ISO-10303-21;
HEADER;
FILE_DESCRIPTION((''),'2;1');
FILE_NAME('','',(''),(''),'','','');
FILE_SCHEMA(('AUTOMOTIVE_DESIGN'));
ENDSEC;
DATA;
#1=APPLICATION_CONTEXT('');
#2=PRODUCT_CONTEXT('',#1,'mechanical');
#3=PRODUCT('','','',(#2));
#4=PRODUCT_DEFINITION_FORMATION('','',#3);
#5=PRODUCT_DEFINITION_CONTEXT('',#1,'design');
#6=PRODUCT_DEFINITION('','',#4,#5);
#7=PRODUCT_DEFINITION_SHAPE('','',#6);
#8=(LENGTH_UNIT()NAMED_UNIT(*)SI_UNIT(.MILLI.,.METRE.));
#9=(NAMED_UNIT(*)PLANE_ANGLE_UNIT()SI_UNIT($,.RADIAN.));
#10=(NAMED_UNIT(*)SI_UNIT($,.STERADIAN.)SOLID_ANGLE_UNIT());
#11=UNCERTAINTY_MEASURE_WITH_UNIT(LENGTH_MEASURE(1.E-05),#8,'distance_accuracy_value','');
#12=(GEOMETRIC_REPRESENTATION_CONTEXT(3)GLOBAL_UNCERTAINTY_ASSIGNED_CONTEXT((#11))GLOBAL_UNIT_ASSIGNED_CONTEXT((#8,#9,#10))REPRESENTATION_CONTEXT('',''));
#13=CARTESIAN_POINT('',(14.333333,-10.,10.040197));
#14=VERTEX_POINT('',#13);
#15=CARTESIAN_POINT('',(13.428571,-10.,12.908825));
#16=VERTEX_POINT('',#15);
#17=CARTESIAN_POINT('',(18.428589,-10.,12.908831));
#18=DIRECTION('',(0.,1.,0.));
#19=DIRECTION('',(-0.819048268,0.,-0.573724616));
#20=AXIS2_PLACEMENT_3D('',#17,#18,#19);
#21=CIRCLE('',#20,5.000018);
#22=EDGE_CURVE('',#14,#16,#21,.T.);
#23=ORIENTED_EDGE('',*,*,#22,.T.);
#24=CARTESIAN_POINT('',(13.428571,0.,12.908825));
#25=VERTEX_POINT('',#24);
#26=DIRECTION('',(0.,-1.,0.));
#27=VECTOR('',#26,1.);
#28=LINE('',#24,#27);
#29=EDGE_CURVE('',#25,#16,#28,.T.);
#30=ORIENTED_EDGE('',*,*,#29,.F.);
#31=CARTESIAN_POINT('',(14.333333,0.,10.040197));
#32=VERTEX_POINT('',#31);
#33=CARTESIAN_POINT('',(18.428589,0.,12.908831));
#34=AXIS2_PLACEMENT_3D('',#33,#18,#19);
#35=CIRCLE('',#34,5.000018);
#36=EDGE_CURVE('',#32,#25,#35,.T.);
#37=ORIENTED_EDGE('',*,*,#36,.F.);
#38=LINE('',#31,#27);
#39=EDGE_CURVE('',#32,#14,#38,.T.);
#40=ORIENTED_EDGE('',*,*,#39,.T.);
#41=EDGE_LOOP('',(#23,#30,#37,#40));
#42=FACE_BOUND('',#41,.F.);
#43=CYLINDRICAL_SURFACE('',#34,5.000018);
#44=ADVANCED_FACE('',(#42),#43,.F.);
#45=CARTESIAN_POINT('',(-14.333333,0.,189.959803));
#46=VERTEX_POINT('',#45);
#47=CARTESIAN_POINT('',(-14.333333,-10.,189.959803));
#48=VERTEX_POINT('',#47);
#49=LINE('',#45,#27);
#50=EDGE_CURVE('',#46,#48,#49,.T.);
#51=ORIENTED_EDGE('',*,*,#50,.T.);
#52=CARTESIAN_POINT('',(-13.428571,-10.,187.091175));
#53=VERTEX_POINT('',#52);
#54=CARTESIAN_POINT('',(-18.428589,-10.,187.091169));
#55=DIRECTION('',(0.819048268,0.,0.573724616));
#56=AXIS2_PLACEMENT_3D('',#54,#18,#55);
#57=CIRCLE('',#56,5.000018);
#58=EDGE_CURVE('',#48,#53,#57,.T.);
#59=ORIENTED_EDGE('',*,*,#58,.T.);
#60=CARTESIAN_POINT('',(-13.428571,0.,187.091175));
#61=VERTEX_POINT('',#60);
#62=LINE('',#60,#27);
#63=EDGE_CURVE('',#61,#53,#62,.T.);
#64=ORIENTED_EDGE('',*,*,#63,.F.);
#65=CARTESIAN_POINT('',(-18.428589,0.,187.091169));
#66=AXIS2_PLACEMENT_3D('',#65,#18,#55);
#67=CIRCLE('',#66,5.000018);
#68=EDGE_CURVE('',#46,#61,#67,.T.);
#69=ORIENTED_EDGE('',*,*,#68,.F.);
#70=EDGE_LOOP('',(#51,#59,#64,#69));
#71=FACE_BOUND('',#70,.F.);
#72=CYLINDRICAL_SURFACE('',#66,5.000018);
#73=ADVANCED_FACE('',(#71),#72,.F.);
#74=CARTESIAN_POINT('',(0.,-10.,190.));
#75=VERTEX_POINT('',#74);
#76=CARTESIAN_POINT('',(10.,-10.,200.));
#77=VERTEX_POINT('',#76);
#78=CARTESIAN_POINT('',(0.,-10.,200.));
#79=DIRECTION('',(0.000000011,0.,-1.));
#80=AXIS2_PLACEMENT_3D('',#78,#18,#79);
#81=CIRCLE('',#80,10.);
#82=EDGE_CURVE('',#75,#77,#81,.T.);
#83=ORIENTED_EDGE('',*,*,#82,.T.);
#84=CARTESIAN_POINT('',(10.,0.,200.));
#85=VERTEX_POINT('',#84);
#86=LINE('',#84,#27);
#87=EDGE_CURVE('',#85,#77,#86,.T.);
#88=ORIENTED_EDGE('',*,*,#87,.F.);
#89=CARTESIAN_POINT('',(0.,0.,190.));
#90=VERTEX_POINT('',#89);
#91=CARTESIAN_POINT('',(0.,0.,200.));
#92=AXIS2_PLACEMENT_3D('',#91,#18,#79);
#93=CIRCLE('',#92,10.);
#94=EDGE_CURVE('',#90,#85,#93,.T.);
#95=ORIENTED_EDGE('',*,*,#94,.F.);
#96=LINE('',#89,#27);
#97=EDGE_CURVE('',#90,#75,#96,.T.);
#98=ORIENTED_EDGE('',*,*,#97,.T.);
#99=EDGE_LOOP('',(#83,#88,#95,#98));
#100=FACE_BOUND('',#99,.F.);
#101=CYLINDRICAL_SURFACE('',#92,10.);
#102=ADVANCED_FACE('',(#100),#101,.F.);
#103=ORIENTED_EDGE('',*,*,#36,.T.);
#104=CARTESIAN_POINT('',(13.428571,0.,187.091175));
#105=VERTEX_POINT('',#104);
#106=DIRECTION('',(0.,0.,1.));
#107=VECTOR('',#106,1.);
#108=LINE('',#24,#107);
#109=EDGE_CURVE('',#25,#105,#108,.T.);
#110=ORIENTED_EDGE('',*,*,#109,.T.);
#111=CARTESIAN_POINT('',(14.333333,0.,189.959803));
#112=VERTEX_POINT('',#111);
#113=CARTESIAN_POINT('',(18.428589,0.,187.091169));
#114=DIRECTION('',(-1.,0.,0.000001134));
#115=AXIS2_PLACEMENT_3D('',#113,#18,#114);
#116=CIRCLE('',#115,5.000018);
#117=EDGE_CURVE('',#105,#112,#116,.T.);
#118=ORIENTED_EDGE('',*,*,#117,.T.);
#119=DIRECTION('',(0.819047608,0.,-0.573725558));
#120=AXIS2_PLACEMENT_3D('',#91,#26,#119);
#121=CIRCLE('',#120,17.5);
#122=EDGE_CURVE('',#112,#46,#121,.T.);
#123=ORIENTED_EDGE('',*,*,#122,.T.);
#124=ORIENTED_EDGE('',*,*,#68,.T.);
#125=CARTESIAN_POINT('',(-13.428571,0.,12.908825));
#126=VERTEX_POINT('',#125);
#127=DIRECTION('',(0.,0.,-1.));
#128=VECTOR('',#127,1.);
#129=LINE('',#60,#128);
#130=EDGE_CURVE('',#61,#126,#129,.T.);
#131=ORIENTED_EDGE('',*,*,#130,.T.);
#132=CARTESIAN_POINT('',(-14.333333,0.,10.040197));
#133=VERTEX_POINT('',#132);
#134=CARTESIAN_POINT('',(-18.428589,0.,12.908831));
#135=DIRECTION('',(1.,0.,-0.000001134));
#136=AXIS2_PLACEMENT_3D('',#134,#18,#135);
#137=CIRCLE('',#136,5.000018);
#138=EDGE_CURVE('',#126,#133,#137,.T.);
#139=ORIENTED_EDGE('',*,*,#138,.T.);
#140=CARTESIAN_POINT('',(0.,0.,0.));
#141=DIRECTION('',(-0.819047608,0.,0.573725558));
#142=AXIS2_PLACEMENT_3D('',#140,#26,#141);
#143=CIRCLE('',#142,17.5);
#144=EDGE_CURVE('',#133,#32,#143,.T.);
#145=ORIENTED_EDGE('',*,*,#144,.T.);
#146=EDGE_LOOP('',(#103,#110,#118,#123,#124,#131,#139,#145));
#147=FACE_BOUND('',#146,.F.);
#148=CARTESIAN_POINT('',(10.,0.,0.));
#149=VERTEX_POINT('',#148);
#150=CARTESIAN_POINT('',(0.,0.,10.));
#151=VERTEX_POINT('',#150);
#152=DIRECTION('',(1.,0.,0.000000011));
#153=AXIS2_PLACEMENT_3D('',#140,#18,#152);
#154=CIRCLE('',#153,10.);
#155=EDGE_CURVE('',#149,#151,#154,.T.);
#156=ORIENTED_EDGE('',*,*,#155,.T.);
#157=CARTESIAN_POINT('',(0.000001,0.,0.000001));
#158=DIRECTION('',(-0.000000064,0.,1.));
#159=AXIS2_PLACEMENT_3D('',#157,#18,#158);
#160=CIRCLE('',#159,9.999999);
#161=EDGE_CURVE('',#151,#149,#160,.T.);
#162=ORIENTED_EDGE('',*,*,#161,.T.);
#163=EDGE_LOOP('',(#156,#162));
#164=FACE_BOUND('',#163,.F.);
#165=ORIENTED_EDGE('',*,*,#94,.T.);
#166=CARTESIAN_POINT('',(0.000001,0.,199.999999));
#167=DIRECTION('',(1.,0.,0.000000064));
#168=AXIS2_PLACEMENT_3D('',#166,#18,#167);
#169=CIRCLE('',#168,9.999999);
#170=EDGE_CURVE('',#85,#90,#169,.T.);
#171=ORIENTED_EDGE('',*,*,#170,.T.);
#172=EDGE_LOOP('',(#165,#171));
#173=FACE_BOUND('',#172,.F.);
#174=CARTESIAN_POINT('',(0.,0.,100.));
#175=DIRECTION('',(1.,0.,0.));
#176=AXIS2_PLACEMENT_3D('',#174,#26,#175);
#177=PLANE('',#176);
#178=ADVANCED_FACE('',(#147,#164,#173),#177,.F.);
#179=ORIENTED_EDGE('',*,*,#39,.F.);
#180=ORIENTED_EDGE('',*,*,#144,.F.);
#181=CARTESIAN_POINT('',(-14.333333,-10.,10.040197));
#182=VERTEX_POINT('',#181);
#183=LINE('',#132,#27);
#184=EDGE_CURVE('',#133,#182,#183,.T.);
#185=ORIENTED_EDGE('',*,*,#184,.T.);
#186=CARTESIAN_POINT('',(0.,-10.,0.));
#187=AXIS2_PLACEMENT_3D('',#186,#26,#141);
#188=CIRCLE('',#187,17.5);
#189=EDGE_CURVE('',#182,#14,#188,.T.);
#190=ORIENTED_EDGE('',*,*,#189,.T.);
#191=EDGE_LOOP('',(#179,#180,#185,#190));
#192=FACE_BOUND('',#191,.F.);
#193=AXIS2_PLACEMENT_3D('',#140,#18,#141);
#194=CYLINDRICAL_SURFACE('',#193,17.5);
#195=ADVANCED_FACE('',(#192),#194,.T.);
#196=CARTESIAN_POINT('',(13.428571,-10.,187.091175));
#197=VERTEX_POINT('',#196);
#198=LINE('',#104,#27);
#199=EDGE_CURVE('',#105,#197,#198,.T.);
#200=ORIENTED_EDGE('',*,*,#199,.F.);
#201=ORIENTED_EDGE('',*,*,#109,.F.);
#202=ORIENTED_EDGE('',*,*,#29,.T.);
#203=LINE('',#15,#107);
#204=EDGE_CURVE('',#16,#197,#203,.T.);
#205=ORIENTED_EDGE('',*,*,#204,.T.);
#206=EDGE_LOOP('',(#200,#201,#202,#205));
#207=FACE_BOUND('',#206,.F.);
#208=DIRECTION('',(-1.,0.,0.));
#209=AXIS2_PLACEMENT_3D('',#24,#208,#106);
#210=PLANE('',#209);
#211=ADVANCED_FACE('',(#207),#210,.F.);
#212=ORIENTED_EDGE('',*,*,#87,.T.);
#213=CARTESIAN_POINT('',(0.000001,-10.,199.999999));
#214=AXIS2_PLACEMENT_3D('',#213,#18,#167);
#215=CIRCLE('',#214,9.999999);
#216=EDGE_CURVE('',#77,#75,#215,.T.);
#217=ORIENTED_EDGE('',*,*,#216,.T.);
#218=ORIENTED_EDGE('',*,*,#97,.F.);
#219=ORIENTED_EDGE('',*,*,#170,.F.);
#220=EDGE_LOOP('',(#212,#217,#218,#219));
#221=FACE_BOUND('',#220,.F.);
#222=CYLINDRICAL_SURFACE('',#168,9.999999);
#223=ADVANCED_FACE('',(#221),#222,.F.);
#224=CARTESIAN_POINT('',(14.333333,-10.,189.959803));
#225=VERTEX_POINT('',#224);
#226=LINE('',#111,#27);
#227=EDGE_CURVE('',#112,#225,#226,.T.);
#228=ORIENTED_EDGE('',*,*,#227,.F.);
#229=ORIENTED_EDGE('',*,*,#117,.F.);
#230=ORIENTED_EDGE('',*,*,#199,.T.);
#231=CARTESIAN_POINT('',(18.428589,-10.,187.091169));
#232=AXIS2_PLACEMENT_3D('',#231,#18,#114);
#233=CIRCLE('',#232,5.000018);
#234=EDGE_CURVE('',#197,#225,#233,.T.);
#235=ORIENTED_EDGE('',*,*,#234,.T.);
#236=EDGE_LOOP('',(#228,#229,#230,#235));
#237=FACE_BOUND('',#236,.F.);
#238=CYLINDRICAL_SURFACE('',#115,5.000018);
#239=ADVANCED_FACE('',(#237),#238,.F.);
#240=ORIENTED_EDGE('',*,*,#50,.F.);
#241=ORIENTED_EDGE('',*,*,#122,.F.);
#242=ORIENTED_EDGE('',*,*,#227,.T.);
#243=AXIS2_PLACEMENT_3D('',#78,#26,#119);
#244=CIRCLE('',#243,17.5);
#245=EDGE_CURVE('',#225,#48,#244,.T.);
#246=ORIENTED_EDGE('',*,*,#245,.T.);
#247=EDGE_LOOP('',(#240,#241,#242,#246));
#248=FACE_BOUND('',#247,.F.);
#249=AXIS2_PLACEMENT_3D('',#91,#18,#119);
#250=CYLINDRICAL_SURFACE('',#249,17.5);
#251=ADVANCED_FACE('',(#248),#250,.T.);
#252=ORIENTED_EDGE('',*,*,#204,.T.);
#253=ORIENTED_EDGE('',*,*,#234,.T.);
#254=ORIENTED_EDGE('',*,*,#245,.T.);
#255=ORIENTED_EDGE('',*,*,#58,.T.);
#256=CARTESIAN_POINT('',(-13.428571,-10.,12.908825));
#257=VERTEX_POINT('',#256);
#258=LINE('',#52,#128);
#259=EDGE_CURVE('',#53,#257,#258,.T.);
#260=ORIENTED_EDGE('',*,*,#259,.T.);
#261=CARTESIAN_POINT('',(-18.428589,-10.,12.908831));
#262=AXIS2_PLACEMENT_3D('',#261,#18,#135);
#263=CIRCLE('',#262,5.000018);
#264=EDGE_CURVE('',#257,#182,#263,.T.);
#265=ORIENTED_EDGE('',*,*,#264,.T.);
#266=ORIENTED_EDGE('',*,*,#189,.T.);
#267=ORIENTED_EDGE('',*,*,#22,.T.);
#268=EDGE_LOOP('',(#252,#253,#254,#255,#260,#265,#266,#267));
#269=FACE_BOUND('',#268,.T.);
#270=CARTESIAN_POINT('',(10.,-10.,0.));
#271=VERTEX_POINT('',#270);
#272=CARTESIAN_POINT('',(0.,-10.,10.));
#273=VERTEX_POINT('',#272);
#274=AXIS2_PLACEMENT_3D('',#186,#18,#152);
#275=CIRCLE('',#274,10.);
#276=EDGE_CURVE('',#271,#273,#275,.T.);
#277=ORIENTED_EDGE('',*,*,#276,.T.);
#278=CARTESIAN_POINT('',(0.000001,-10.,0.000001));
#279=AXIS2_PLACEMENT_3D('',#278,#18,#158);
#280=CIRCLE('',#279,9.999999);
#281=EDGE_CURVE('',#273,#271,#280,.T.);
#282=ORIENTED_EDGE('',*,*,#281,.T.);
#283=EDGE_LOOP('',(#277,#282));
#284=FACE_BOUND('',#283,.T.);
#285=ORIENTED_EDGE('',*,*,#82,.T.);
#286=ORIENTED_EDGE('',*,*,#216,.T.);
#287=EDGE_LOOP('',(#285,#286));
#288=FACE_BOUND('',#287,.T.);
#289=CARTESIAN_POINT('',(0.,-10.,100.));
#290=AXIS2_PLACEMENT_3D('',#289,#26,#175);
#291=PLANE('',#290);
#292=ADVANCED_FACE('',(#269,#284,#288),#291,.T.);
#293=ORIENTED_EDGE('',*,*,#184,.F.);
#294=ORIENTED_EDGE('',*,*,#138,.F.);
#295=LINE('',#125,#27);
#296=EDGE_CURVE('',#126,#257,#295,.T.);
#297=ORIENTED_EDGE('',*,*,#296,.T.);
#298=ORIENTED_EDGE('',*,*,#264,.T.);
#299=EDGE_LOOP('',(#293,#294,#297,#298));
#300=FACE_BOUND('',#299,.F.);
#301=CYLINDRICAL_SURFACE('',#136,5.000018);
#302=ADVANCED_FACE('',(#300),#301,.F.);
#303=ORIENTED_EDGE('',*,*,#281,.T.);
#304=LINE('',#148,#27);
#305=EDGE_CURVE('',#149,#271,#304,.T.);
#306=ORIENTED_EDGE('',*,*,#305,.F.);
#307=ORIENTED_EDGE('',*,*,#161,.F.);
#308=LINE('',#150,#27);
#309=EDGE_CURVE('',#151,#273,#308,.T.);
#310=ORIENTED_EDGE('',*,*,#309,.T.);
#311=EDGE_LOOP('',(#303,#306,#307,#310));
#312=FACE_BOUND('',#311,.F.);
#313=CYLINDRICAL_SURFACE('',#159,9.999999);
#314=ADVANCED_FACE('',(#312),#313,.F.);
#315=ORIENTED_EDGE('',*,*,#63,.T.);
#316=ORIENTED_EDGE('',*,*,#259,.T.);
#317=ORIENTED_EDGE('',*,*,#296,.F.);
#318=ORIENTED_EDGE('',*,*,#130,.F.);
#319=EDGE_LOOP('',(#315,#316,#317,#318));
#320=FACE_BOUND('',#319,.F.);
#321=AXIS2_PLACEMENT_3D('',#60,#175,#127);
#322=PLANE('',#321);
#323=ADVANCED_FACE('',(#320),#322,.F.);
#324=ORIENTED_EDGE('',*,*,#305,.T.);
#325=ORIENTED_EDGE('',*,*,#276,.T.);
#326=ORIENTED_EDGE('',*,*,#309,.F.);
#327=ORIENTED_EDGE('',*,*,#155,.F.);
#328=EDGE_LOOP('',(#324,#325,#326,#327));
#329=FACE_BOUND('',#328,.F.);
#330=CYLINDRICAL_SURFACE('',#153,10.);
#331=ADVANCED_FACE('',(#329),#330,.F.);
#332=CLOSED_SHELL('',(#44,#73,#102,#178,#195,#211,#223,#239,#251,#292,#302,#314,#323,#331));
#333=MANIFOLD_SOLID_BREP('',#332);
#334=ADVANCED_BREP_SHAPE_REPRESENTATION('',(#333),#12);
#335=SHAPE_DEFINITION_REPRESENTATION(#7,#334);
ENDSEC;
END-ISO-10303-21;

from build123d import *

# Parameters (mm, degrees)
F1_DEPTH = 10


with BuildPart() as f1:
    # F0 (on Front) → F1 (new body)
    with BuildSketch(Plane.XZ):
        with BuildLine():
            ThreePointArc((13.428571, 187.091175), (13.660124, 188.595138), (14.333333, 189.959803))
            ThreePointArc((14.333333, 189.959803), (0, 217.5), (-14.333333, 189.959803))
            ThreePointArc((-14.333333, 189.959803), (-13.660124, 188.595138), (-13.428571, 187.091175))
            Line((-13.428571, 187.091175), (-13.428571, 12.908825))
            ThreePointArc((-13.428571, 12.908825), (-13.660124, 11.404862), (-14.333333, 10.040197))
            ThreePointArc((-14.333333, 10.040197), (0, -17.5), (14.333333, 10.040197))
            ThreePointArc((14.333333, 10.040197), (13.660124, 11.404862), (13.428571, 12.908825))
            Line((13.428571, 12.908825), (13.428571, 187.091175))
        make_face()
        with BuildLine():
            ThreePointArc((0, 10), (7.071068, 7.071068), (10, 0))
            ThreePointArc((10, 0), (-7.071068, -7.071068), (0, 10))
        make_face(mode=Mode.SUBTRACT)
        with BuildLine():
            ThreePointArc((10, 200), (7.071068, 192.928932), (0, 190))
            ThreePointArc((0, 190), (-7.071068, 207.071068), (10, 200))
        make_face(mode=Mode.SUBTRACT)
    extrude(amount=F1_DEPTH)


solid = f1.part
